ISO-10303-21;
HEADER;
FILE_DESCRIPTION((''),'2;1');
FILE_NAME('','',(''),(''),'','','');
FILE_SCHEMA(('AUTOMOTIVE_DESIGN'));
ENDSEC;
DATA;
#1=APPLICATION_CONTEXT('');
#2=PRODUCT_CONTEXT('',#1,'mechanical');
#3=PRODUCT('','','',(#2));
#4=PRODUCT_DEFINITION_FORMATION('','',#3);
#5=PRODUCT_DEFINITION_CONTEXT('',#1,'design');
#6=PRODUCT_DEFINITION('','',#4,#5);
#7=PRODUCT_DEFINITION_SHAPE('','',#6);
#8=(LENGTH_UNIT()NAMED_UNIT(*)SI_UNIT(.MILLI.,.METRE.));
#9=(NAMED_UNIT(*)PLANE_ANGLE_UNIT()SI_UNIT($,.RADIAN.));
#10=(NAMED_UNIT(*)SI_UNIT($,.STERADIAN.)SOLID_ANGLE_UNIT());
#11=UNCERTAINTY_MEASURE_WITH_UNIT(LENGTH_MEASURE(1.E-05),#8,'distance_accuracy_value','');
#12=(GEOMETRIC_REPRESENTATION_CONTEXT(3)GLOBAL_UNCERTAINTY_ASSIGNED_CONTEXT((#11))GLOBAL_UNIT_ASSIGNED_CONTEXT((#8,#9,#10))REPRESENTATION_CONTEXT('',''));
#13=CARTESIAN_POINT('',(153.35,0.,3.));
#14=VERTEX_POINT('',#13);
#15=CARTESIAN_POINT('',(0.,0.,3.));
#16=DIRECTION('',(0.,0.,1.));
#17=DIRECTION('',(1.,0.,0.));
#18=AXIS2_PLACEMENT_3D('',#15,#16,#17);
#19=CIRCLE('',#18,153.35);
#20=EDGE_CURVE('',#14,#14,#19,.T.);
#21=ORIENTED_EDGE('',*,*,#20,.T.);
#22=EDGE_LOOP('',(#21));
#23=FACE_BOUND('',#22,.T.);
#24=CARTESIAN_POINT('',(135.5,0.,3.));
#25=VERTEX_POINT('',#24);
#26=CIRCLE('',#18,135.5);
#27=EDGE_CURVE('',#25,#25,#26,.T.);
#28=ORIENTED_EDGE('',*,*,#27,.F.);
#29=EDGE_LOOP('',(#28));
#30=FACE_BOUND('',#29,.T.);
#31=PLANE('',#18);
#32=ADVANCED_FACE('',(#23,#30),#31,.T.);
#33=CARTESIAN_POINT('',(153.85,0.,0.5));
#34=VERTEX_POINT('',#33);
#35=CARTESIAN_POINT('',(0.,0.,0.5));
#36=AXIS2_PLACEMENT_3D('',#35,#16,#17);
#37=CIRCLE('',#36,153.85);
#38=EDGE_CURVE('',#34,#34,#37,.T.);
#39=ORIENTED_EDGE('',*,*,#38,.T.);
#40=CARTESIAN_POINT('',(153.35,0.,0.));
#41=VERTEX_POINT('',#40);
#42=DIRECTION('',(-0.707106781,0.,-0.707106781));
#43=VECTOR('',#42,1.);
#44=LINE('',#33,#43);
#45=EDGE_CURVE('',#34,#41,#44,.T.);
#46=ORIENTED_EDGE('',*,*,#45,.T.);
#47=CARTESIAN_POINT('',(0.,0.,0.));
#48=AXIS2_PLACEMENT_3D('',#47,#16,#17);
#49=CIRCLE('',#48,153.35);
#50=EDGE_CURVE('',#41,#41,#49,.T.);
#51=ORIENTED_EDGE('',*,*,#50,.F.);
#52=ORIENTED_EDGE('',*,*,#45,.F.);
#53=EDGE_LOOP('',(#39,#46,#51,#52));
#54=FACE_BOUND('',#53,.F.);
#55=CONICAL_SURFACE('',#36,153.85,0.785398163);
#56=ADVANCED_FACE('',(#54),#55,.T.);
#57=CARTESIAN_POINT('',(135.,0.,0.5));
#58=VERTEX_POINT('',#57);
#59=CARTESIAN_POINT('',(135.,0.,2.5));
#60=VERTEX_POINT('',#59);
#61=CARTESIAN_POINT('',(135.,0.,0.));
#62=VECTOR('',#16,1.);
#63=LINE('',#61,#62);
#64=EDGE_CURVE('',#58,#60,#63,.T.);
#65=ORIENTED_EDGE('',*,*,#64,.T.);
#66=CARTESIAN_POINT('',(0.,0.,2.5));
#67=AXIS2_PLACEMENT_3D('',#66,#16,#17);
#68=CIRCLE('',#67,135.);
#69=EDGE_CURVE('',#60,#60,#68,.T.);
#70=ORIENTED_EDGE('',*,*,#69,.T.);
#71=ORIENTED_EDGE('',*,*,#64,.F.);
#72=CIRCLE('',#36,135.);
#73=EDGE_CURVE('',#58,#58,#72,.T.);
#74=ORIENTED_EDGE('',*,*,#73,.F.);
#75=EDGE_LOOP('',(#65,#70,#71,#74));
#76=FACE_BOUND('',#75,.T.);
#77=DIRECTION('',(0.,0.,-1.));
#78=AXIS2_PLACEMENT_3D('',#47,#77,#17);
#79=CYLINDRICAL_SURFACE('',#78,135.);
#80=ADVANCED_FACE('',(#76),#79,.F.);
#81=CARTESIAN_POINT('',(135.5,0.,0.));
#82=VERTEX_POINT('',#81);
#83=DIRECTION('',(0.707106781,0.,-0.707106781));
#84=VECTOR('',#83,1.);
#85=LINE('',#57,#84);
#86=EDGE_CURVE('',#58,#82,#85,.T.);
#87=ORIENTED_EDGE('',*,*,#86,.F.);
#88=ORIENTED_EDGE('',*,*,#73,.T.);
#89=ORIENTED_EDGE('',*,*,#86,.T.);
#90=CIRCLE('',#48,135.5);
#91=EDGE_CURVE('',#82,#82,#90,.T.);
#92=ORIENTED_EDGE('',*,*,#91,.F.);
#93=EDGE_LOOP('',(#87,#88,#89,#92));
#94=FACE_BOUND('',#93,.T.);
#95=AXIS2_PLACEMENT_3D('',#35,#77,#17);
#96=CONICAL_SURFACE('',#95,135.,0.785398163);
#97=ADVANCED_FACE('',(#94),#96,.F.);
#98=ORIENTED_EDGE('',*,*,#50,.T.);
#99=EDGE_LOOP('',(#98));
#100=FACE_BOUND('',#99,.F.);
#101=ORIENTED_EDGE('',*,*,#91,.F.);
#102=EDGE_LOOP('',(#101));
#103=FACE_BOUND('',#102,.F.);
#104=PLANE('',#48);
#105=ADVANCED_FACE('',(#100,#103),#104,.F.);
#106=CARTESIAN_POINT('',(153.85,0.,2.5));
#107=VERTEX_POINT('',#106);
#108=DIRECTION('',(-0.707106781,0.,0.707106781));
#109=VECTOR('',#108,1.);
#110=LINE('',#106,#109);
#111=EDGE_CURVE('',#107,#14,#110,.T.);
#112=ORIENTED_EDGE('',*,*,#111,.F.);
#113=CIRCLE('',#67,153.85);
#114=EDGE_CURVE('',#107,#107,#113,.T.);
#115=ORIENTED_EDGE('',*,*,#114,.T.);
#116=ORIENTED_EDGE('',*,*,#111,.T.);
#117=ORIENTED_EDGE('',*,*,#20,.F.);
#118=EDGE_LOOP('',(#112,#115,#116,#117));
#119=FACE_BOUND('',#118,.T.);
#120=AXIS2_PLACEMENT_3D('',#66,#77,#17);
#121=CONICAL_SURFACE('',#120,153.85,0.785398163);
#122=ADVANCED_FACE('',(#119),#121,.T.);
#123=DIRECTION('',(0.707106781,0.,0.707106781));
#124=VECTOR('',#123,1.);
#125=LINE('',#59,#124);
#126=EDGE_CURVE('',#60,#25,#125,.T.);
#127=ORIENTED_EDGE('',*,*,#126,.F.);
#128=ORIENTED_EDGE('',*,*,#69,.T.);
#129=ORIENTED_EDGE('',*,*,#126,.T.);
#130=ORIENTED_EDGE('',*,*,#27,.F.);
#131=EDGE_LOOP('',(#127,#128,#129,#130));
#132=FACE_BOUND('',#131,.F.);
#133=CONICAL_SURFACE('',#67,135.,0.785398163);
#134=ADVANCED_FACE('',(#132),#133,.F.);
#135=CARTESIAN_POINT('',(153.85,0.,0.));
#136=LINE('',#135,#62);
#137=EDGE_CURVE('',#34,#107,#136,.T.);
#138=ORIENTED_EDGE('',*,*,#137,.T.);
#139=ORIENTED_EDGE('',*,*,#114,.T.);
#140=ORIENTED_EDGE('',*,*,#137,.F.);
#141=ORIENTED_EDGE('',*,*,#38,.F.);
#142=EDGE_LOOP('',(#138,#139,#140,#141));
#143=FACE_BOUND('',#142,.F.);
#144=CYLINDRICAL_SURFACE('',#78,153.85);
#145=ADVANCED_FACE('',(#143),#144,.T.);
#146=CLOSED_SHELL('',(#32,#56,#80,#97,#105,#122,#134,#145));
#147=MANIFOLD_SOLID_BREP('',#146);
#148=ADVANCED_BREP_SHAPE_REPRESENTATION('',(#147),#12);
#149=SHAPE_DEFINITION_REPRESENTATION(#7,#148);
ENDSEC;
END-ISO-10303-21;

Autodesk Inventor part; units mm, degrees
ref_plane "YZ Plane" through (0, 0, 0) normal (1, 0, 0) x (0, 1, 0)
ref_plane "XZ Plane" through (0, 0, 0) normal (0, 1, 0) x (-1, 0, 0)
ref_plane "XY Plane" through (0, 0, 0) normal (0, 0, 1) x (1, 0, 0)
sketch "草图1" plane through (0, 0, 0) normal (0, 0, 1) x (1, 0, 0)
  circle A0 centre (0, 0) radius 153.85
  circle A1 centre (0, 0) radius 135
extrude "拉伸1" add sketch "草图1" along normal blind 3
chamfer "倒角1" distance 0.5 angle 45 4 edges at (-135, 0, 3) (-135, 0, 0) (-153.85, 0, 3) (-153.85, 0, 0)
properties part number "my_attempt_v2"
